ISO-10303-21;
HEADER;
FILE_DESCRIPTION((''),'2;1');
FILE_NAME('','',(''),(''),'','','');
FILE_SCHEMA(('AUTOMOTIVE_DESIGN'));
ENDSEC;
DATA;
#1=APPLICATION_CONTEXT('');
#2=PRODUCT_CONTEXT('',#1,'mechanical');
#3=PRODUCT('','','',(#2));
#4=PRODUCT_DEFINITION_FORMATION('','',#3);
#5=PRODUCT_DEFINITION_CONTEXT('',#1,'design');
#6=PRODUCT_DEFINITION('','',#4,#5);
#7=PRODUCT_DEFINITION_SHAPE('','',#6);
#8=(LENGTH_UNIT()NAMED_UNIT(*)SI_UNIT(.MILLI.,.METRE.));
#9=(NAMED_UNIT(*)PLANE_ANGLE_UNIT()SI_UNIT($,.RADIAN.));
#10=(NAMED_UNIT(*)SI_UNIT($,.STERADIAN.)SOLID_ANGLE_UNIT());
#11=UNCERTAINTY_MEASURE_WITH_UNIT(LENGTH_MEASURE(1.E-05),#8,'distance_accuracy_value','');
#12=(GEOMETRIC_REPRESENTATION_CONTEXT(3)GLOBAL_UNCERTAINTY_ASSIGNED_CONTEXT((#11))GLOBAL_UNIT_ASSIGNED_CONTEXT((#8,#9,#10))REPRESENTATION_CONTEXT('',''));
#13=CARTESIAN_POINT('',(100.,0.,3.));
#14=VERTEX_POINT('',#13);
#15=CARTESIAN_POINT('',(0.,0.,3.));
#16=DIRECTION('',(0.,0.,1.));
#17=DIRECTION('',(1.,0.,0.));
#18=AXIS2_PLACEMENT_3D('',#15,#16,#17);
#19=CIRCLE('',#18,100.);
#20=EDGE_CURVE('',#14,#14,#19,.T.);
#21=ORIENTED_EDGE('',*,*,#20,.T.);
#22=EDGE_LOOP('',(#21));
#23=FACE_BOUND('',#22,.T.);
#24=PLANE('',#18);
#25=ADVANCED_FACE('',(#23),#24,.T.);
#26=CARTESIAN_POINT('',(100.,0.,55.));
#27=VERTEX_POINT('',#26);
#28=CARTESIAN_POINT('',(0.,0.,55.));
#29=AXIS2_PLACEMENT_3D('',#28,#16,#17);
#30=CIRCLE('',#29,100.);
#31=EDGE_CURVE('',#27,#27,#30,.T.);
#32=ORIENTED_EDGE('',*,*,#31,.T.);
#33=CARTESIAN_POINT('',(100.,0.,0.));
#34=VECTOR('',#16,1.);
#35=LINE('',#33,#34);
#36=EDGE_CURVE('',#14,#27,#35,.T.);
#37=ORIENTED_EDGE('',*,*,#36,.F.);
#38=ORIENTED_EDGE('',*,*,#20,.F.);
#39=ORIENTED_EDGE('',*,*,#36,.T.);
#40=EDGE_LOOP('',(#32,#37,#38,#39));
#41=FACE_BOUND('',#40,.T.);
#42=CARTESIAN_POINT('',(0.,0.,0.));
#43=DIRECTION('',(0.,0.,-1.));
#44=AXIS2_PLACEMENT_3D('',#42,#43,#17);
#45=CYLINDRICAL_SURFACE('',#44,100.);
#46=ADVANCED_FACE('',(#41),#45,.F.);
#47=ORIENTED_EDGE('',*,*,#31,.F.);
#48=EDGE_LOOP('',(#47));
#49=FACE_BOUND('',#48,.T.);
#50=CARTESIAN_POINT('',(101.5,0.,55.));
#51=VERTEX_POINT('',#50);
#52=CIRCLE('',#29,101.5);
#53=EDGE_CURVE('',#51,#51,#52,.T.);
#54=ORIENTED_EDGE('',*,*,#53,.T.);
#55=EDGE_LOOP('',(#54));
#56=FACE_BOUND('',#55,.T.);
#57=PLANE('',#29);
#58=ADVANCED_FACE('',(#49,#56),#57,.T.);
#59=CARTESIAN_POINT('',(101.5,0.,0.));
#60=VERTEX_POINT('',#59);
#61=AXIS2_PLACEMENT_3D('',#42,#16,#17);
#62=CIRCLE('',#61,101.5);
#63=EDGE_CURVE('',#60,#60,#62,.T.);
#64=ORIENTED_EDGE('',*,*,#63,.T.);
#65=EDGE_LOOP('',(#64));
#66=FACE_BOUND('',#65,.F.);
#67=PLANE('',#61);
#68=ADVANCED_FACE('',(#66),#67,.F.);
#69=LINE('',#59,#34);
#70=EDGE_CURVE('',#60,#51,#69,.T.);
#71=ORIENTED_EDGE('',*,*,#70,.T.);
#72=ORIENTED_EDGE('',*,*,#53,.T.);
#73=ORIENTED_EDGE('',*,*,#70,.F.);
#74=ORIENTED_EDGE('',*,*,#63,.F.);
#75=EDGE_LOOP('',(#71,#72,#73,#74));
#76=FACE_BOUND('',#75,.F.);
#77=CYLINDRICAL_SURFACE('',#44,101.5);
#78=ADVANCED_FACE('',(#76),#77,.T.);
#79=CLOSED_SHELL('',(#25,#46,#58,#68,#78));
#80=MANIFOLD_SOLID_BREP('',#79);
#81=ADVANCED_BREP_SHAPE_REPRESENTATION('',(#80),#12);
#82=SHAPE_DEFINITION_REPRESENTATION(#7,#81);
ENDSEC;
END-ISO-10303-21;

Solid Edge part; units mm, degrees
sketch "Sketch1" plane through (0, 0, 0) normal (0, 0, 1) x (1, 0, 0)
  circle A0 centre (0, 0) radius 100
extrude "Protrusion1" add sketch "Sketch1" along normal blind 3
sketch "Sketch2" plane through (0, 0, 0) normal (0, 0, 1) x (1, 0, 0)
  circle A0 centre (0, 0) radius 101.5
  circle A1 centre (0, 0) radius 100
  dimension "D1" = 200
  dimension "D2" = 203
extrude "ProtrusiónExtruida_6" add sketch "Sketch2" along normal blind 55
